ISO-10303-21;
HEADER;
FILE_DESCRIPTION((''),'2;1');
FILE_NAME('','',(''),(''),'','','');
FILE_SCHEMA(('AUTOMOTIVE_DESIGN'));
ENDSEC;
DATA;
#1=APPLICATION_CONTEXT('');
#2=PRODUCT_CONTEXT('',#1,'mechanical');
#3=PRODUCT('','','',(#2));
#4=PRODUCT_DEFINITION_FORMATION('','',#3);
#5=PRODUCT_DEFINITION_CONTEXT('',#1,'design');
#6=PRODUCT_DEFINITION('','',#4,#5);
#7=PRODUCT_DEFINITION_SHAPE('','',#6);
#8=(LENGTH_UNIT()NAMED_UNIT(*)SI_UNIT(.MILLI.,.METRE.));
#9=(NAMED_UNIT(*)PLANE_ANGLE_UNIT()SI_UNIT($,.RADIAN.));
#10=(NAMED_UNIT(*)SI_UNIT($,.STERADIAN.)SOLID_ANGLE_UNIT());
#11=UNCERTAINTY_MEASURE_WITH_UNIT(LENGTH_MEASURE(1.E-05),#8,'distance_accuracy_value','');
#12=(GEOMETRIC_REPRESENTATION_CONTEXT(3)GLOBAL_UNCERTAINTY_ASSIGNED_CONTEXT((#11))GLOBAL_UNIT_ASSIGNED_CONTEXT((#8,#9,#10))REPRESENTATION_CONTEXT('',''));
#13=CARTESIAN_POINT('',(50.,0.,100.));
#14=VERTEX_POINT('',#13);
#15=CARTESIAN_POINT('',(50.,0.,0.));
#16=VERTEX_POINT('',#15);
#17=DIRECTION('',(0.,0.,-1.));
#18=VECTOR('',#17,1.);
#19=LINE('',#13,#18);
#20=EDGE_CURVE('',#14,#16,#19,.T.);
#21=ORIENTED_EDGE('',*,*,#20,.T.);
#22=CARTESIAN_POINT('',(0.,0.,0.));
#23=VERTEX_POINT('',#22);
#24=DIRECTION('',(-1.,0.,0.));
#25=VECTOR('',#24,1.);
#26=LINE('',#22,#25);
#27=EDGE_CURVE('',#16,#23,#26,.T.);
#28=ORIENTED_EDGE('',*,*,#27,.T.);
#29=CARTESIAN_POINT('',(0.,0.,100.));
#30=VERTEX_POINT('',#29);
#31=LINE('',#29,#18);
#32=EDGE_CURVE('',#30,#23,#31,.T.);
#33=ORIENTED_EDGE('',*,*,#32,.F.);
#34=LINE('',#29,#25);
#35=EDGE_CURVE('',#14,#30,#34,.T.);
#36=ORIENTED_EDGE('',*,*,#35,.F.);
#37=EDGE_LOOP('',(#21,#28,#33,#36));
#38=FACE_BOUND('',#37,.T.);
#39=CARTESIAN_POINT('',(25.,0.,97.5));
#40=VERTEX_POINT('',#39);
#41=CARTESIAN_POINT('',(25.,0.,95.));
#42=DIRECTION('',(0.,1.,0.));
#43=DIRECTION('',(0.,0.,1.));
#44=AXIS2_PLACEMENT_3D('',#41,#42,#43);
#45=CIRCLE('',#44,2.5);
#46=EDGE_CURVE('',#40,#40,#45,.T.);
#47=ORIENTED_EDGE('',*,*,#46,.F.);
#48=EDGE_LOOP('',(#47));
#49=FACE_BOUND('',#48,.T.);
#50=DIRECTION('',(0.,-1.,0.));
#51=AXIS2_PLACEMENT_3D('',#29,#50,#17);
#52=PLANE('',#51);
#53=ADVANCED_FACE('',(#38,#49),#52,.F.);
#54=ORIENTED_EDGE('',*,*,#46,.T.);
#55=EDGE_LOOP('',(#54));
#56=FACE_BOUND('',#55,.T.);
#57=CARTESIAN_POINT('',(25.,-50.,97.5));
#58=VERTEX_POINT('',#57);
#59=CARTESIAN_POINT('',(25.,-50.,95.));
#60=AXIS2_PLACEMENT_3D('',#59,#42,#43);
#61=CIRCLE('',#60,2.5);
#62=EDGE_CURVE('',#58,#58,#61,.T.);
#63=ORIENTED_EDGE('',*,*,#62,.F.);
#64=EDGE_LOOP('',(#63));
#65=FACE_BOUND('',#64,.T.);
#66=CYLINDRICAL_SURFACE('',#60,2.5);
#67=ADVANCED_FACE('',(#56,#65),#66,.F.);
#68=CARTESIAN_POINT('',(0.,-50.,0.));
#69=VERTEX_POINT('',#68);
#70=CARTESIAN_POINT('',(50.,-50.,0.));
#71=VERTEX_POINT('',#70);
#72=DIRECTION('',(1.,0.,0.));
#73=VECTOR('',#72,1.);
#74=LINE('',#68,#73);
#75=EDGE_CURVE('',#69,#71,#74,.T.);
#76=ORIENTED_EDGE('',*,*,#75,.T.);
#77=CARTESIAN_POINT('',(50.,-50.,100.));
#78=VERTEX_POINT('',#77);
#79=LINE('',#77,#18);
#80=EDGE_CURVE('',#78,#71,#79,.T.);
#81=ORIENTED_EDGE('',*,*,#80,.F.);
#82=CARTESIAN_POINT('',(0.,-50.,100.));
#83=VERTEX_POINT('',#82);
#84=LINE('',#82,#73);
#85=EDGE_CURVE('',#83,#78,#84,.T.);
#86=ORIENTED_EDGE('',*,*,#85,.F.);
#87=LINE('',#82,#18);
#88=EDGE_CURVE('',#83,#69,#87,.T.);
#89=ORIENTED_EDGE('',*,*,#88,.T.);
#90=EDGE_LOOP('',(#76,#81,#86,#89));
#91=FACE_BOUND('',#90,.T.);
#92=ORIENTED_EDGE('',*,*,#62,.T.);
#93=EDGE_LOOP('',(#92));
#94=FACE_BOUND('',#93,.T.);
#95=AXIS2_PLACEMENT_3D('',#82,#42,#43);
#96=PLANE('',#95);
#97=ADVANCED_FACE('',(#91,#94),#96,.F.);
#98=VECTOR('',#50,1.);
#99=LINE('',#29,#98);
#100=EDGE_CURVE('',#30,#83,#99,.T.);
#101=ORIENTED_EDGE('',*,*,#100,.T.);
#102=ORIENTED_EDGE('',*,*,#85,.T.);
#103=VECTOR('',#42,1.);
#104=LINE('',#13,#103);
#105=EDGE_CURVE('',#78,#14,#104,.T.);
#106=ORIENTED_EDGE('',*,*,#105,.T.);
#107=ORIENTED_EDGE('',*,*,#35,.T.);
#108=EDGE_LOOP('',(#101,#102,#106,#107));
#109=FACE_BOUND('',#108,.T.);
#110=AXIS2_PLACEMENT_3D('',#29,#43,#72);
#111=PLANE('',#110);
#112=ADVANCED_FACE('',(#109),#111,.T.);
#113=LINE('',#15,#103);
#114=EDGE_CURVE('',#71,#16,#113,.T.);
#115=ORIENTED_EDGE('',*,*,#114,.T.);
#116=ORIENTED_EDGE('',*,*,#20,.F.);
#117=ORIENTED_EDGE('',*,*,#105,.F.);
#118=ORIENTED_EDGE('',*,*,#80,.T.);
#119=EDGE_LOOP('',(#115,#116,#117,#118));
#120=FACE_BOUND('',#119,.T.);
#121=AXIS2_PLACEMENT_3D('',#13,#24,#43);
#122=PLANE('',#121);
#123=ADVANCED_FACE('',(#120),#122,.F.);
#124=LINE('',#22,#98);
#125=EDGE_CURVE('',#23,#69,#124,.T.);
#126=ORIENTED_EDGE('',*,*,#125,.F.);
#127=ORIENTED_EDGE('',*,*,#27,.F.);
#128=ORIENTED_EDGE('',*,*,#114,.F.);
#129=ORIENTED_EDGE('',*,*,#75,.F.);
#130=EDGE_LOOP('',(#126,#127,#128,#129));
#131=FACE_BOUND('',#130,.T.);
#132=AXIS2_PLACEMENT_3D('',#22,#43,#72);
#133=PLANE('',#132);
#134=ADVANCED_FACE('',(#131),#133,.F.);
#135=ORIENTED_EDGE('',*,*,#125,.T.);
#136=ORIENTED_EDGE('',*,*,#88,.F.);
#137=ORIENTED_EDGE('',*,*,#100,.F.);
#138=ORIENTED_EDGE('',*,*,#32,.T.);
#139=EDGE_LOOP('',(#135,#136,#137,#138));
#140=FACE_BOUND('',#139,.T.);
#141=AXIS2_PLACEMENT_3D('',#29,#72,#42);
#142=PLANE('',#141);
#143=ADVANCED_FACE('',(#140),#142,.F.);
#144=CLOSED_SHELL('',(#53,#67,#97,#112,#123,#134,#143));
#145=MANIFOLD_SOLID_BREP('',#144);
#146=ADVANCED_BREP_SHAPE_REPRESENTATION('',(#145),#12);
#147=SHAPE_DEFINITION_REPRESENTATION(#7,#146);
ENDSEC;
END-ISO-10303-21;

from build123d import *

# Parameters (mm, degrees)
SKETCH1_W           = 50
SKETCH1_H           = 50
BOSS_EXTRUDE1_DEPTH = 100
SKETCH2_R           = 2.5
CUT_EXTRUDE1_DEPTH  = 123.474487139


with BuildPart() as part:
    # Sketch1 → Boss-Extrude1 (new body)
    with BuildSketch(Plane.XY):
        with Locations((25, -25)):
            Rectangle(SKETCH1_W, SKETCH1_H)
    extrude(amount=BOSS_EXTRUDE1_DEPTH)

    # Sketch2 → Cut-Extrude1 (cut, through all)
    with BuildSketch(Plane(origin=(0, 0, 0), x_dir=(1, 0, 0), z_dir=(0, 1, 0))):
        with Locations(Location((25, -95, 0), (0, 0, 270))):
            Circle(SKETCH2_R)
    extrude(amount=-CUT_EXTRUDE1_DEPTH, mode=Mode.SUBTRACT)


solid = part.part
